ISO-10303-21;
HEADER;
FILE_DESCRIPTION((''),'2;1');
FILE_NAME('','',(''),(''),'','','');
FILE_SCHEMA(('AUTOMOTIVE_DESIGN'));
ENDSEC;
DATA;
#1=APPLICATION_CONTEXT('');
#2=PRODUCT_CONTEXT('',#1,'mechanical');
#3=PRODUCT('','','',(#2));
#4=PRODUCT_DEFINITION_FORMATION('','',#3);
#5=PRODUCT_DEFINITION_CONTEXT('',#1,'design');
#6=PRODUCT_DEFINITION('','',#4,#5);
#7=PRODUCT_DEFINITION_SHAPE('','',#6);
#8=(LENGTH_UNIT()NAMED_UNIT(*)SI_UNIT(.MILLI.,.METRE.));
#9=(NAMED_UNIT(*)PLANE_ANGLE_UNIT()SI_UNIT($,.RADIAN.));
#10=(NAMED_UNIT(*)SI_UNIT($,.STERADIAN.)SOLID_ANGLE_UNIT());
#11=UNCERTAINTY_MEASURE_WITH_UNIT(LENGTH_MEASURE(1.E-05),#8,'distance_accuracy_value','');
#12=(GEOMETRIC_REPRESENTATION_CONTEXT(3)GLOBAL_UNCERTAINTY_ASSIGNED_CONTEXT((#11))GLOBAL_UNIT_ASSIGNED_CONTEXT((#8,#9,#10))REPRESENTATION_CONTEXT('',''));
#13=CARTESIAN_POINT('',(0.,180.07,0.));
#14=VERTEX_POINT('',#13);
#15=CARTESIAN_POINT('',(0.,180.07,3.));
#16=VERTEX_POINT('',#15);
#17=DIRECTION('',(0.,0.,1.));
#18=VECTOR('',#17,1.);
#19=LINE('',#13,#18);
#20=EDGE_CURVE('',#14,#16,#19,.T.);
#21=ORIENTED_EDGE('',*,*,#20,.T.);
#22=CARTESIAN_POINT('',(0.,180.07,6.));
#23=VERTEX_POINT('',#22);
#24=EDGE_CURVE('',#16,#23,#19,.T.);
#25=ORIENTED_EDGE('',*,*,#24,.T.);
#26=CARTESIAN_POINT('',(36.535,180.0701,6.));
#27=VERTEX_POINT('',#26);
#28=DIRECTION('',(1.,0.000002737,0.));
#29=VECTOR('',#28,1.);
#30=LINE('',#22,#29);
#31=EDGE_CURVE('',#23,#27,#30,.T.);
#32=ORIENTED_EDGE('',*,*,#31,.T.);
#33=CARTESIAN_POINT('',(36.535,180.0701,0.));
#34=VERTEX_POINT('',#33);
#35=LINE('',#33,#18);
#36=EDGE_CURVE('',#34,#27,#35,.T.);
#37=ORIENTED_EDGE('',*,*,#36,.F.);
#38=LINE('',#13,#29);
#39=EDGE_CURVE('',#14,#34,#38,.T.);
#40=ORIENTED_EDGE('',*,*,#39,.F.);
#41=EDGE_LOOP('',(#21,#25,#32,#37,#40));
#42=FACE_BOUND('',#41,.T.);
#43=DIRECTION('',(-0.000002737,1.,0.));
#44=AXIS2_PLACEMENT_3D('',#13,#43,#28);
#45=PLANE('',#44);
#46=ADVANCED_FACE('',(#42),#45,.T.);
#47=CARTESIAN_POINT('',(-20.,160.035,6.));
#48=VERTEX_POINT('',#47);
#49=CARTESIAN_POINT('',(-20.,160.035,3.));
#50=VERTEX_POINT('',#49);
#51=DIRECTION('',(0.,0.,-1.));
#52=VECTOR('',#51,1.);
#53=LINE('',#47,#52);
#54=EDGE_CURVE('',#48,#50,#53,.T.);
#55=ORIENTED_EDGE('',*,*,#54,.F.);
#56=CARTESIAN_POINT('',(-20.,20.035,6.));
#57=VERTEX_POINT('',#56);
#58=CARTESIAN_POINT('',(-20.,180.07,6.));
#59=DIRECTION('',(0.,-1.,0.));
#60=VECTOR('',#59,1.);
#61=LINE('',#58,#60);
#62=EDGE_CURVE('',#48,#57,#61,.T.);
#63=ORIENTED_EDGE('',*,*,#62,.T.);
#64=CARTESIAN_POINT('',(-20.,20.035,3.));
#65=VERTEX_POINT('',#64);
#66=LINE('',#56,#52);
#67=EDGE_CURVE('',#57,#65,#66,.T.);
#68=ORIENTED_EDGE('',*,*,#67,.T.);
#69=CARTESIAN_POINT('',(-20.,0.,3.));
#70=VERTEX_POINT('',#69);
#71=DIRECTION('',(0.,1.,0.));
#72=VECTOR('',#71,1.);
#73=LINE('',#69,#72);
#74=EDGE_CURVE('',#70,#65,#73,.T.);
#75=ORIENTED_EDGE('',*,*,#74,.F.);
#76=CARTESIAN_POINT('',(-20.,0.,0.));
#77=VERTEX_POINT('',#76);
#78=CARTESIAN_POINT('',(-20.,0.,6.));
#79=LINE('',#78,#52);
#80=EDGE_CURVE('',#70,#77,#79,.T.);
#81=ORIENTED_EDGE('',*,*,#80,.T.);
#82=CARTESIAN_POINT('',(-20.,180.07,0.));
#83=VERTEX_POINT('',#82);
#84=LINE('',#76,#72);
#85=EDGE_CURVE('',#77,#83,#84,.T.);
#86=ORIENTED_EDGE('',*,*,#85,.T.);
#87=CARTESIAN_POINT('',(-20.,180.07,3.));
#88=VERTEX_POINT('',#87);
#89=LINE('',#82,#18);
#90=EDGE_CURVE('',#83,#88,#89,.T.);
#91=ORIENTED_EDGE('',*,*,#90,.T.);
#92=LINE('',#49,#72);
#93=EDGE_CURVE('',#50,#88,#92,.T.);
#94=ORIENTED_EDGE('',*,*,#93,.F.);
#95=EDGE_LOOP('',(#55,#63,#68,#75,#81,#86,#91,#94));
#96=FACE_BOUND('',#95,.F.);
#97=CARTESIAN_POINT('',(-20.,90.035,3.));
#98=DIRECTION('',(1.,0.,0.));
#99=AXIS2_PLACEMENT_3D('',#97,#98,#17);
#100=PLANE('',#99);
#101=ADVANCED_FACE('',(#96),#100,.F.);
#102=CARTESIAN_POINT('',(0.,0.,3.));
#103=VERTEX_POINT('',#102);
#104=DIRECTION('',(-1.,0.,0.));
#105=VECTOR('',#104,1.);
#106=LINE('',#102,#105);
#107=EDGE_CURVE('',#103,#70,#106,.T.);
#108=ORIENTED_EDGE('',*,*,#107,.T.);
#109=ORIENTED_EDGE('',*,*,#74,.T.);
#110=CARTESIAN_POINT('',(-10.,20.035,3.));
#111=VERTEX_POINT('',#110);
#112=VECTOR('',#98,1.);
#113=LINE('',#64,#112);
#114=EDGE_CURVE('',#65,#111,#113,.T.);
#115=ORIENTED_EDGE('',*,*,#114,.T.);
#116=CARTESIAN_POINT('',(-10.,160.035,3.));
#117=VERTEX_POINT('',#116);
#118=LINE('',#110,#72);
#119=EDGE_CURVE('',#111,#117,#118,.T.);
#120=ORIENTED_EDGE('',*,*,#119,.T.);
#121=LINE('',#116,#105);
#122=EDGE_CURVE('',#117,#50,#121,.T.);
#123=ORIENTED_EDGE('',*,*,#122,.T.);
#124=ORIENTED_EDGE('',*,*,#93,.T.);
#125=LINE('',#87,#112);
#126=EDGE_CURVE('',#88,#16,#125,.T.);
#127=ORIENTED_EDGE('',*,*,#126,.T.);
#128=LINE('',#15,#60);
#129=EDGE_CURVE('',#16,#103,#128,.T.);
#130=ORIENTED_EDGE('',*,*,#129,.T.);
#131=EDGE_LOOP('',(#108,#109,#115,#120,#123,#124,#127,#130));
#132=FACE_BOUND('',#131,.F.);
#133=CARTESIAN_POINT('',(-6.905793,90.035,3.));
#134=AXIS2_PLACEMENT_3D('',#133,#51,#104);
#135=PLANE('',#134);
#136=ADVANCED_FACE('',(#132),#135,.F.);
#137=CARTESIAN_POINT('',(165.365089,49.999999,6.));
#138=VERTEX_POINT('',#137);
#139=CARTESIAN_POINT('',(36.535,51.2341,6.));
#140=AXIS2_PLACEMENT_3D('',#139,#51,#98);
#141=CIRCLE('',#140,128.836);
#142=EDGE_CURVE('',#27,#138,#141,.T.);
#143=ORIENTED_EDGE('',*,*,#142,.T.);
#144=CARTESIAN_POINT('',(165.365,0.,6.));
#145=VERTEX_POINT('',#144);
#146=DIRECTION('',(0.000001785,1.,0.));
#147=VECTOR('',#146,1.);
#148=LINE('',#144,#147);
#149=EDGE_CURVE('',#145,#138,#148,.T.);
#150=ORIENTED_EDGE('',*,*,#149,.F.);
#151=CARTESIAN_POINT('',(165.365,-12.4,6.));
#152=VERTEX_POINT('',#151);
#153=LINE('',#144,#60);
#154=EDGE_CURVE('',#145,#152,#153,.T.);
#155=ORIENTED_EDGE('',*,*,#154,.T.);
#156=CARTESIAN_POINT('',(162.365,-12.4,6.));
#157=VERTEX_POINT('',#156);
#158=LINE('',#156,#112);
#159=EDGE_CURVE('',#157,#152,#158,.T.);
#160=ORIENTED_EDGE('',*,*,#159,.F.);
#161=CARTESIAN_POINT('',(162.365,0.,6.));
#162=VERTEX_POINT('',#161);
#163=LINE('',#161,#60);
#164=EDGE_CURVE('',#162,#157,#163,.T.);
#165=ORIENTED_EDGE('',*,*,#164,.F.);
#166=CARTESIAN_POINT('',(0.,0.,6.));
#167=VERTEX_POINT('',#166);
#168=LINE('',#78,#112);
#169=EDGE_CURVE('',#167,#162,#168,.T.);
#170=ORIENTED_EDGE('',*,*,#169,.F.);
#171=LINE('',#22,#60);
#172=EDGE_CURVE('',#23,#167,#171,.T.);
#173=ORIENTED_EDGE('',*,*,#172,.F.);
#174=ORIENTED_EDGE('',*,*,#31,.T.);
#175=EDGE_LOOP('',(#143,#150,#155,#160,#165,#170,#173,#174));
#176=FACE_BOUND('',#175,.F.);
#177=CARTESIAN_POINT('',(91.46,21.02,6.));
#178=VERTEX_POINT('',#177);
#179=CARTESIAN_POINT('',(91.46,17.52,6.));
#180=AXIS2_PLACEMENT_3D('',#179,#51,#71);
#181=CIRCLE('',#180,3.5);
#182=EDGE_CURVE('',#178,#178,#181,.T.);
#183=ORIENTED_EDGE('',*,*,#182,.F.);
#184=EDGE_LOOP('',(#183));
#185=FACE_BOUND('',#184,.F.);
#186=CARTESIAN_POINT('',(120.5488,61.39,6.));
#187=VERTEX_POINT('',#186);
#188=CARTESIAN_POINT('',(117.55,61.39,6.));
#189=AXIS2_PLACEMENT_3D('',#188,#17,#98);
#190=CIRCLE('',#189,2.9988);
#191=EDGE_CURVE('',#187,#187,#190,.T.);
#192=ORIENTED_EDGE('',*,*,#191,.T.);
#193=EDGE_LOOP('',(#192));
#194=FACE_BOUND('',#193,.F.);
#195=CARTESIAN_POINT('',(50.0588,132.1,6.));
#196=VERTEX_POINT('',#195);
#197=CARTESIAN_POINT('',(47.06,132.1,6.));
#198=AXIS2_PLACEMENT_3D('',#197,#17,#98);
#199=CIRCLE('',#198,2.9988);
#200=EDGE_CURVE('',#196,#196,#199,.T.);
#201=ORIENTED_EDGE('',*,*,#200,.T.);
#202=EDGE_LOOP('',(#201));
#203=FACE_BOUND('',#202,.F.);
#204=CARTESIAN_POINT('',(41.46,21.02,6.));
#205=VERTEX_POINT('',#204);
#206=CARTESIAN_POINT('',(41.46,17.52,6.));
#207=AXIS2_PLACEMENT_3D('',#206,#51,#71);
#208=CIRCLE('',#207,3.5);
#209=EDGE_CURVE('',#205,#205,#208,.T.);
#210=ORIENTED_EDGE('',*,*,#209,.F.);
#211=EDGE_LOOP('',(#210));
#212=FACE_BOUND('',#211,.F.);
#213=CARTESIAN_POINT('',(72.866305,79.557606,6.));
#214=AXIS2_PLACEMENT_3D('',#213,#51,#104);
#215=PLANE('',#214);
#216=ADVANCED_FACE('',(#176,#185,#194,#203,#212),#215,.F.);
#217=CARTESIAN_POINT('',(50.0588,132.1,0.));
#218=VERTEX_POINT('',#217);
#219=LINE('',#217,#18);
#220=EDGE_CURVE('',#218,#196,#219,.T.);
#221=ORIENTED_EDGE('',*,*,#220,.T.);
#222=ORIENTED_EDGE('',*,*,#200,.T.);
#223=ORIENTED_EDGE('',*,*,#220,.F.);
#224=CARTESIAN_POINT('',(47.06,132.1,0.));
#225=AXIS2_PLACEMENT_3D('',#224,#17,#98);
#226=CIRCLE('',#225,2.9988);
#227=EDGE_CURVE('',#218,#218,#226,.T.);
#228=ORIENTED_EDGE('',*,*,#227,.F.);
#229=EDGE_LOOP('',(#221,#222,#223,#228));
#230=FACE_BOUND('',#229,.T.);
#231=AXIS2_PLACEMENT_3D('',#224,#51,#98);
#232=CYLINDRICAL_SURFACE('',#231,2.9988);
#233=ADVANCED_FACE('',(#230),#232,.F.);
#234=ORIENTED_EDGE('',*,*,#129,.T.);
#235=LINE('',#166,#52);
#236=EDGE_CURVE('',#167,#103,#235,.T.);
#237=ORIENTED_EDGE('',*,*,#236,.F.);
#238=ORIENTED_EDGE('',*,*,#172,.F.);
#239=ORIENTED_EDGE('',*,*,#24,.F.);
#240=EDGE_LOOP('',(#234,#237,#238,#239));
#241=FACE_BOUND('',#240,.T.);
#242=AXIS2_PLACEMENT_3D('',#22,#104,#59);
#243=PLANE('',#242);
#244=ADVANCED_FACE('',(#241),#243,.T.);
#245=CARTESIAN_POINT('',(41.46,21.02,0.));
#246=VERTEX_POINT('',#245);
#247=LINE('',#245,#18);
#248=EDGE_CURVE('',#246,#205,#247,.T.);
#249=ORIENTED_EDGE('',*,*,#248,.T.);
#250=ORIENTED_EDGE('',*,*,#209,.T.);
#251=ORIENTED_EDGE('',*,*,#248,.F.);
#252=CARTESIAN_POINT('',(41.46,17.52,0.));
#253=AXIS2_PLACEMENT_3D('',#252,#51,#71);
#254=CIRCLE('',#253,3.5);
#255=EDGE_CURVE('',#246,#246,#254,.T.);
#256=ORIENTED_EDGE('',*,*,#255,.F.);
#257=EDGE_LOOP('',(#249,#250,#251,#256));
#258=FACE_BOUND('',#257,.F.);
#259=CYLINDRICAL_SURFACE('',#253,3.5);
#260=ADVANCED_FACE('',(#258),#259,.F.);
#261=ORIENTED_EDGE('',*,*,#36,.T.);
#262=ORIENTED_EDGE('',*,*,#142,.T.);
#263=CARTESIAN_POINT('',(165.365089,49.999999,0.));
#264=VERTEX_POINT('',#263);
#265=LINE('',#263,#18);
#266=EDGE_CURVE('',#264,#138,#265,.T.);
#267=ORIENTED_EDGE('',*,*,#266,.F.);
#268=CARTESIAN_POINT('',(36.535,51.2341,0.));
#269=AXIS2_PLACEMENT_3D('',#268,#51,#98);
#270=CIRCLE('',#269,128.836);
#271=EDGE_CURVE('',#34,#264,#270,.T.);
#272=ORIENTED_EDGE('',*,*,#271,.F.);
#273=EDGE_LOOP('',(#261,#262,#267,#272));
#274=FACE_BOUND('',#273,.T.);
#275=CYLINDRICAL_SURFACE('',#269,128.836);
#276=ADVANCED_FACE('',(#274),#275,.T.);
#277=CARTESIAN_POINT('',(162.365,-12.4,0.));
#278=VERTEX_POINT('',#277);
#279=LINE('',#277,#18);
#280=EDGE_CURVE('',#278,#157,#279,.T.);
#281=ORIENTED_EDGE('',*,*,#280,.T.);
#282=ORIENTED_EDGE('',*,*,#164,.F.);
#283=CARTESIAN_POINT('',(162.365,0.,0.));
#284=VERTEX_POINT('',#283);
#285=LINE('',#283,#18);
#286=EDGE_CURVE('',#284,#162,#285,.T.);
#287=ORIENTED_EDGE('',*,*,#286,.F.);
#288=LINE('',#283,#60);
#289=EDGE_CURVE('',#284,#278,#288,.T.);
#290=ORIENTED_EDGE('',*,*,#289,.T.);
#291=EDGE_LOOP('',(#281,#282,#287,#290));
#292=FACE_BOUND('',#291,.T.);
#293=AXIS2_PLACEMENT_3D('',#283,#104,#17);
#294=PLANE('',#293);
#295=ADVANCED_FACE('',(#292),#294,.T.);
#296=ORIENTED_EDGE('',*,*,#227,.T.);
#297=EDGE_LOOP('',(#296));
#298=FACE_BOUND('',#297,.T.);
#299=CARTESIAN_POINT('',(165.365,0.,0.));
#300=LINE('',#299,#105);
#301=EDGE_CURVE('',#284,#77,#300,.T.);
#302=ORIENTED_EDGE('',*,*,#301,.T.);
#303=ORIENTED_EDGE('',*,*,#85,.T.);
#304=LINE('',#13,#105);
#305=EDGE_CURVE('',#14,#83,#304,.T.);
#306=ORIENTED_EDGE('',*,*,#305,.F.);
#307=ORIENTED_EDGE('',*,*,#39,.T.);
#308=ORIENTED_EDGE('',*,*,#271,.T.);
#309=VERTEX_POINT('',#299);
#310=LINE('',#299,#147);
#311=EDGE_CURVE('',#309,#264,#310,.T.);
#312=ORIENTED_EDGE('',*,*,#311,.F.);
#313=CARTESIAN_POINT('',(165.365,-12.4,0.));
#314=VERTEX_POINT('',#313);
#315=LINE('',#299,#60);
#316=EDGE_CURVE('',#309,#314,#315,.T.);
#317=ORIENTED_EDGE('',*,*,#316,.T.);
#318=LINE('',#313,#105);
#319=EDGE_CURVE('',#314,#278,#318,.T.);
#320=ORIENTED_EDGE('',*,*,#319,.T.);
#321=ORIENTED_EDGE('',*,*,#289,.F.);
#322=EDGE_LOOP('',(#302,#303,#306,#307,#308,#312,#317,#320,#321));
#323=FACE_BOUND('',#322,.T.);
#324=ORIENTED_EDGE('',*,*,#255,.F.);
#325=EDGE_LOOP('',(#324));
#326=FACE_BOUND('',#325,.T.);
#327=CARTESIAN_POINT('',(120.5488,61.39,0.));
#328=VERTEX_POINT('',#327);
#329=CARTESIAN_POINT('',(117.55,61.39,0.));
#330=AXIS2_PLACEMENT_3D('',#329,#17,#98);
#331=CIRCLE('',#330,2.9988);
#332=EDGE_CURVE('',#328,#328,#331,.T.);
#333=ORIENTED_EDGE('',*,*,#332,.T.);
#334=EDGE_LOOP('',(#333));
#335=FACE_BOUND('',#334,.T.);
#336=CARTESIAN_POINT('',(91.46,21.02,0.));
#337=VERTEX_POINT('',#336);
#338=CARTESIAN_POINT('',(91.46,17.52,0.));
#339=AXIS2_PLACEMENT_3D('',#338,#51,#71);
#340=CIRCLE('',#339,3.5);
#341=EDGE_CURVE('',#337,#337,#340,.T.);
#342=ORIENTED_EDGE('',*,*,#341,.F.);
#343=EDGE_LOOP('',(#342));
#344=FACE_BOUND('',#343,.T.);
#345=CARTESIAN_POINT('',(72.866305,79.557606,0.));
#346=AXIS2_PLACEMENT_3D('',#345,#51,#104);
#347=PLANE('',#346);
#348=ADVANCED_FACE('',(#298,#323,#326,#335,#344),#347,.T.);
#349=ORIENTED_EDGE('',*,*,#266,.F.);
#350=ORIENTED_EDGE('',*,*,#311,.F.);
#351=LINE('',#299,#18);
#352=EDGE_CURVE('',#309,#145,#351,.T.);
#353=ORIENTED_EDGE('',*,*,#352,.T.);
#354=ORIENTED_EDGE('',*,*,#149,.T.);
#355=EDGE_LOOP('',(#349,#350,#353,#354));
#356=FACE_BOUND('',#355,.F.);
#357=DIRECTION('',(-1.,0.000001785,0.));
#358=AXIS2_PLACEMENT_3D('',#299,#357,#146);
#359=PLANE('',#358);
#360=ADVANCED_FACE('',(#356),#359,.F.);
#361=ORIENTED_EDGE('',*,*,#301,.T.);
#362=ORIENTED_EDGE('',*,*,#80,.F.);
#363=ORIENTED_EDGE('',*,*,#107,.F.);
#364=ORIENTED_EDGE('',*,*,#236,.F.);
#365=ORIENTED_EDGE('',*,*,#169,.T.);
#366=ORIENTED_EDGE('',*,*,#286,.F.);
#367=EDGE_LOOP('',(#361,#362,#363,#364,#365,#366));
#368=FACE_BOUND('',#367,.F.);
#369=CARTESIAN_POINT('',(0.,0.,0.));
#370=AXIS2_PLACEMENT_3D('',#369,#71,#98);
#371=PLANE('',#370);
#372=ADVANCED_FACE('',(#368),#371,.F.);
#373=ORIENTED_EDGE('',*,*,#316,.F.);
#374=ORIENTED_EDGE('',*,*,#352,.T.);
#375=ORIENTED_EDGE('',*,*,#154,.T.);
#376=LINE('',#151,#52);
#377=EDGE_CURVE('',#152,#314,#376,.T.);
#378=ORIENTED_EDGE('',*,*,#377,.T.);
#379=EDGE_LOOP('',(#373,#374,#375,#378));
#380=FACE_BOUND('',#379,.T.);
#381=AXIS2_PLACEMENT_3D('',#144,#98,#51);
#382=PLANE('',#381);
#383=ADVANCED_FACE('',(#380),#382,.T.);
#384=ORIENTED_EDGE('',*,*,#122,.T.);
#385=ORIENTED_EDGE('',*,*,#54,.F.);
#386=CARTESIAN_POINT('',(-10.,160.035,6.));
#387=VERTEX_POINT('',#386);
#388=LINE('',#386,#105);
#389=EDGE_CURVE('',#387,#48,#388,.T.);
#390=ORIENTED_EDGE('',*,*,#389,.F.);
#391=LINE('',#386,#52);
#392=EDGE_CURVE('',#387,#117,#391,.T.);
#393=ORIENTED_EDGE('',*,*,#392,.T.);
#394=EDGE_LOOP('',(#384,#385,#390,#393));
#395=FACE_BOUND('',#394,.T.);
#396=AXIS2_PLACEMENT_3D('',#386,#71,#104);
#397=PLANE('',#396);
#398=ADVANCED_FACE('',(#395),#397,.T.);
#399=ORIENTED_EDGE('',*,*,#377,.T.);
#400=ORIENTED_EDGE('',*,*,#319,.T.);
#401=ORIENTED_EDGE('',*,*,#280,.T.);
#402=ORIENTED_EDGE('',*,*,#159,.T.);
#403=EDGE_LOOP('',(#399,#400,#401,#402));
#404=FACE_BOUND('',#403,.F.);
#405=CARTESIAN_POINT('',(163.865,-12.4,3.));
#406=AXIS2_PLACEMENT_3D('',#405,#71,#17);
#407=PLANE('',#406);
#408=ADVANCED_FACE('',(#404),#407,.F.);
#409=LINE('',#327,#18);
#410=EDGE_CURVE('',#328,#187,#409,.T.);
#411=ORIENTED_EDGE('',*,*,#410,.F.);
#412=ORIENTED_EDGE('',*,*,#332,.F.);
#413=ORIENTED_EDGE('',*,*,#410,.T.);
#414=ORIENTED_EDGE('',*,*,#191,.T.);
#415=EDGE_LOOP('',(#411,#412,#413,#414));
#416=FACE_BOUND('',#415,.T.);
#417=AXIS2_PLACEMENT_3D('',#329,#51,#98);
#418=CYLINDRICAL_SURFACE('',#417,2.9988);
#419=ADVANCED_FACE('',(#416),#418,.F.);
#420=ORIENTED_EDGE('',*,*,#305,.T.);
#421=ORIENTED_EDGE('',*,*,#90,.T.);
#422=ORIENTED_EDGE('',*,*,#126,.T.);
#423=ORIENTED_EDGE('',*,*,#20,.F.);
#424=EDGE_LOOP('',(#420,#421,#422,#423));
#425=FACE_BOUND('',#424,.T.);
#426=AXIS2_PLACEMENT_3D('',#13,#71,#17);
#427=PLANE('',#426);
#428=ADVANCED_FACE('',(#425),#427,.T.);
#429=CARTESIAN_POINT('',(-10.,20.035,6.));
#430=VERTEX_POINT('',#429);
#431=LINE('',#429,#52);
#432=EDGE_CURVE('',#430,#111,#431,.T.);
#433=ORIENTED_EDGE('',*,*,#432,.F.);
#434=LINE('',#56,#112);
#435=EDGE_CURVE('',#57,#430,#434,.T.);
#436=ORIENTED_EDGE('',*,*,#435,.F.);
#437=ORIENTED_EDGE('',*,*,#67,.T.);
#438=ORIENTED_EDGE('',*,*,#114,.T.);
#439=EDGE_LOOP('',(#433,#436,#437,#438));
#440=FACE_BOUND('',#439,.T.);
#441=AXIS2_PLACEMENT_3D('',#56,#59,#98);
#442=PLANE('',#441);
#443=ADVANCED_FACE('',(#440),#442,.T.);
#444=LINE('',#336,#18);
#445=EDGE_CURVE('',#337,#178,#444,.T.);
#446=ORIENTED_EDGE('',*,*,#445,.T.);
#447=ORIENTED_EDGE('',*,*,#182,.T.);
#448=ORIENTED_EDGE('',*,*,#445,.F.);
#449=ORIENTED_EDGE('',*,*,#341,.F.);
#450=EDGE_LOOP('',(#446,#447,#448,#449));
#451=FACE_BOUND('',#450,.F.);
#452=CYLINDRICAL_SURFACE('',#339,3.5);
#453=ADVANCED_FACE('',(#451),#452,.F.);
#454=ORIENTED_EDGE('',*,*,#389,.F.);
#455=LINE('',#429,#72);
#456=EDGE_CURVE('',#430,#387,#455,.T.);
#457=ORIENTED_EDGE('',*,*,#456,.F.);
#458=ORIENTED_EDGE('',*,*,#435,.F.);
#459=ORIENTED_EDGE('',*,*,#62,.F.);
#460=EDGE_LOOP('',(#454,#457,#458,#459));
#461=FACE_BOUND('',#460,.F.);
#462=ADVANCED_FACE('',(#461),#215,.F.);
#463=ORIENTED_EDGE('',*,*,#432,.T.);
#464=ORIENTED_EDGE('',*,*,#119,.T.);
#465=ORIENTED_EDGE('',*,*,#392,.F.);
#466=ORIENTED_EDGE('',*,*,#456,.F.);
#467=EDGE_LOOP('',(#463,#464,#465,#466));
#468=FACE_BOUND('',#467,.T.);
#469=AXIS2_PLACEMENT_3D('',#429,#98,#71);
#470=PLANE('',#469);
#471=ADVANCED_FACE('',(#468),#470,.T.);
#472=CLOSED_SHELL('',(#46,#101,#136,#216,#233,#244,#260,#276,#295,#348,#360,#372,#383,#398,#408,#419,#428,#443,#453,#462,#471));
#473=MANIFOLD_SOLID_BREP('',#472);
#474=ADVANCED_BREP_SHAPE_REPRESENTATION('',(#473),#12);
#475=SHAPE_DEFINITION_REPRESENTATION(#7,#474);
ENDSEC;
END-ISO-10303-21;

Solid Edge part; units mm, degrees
sketch "Sketch1" plane through (0, 0, 0) normal (0, 0, 1) x (1, 0, 0)
  line L0 (0, 0) -> (0, 180.07)
  line L1 (0, 180.07) -> (36.535, 180.07)
  arc A0 (36.535, 180.07) -> (165.365, 50) centre (36.535, 51.2341) cw
  line L2 (165.365, 0) -> (165.365, 50)
  line L3 (0, 0) -> (165.365, 0)
  circle A1 centre (47.06, 132.1) radius 2.9988
  circle A2 centre (117.55, 61.39) radius 2.9988
  dimension "D1" = 165.365
  dimension "D2" = 180.07
  dimension "D3" = 36.535
  dimension "D4" = 50
  dimension "D5" = 5.9975
  dimension "D6" = 47.06
  dimension "D7" = 70.49
  dimension "D8" = 70.71
  dimension "D9" = 47.97
  dimension "D10" = 128.8359
extrude "Protrusion1" add sketch "Sketch1" along normal blind 6
sketch "Sketch2" plane through (0, 90.035, 3) normal (-1, 0, 0) x (0, -1, 0)
  line L0 (-90.035, 3) -> (90.035, 3)
  line L1 (90.035, 3) -> (90.035, -3)
  line L2 (90.035, -3) -> (-90.035, -3)
  line L3 (-90.035, -3) -> (-90.035, 3)
extrude "Extrusionsausprägung_2" add sketch "Sketch2" along normal blind 20
sketch "Sketch3" plane through (72.6855, 90.035, 6) normal (0, 0, 1) x (1, 0, 0)
  line L0 (-92.6855, -70) -> (-82.6855, -70)
  line L1 (-82.6855, -70) -> (-82.6855, 70)
  line L2 (-82.6855, 70) -> (-92.6855, 70)
  line L3 (-92.6855, 70) -> (-92.6855, 90.035)
  line L4 (-92.6855, 90.035) -> (-72.6855, 90.035)
  line L5 (-72.6855, 90.035) -> (-72.6855, -90.035)
  line L6 (-72.6855, -90.035) -> (-92.6855, -90.035)
  line L7 (-92.6855, -90.035) -> (-92.6855, -70)
  dimension "D1" = 10
extrude "Extrusionsausschnitt_1" cut sketch "Sketch3" against normal blind 3
sketch "Sketch4" plane through (72.6855, 90.035, 0) normal (0, 0, -1) x (0, 1, 0)
  circle A0 centre (-72.515, -31.2255) radius 3.5
  circle A1 centre (-72.515, 18.7745) radius 3.5
  dimension "D1" = 7
  dimension "D2" = 50
  dimension "D3" = 61.46
  dimension "D4" = 17.52
extrude "Cutout1" cut sketch "Sketch4" against normal through all
sketch "Sketch5" plane through (72.6825, 0, 3) normal (0, -1, 0) x (-1, 0, 0)
  line L0 (-92.6825, 3) -> (-89.6825, 3)
  line L1 (-89.6825, 3) -> (-89.6825, -3)
  line L2 (-89.6825, -3) -> (-92.6825, -3)
  line L3 (-92.6825, -3) -> (-92.6825, 3)
extrude "Extrusionsausprägung_3" add sketch "Sketch5" along normal blind 12.4
properties material "Nylon, allgemein"
